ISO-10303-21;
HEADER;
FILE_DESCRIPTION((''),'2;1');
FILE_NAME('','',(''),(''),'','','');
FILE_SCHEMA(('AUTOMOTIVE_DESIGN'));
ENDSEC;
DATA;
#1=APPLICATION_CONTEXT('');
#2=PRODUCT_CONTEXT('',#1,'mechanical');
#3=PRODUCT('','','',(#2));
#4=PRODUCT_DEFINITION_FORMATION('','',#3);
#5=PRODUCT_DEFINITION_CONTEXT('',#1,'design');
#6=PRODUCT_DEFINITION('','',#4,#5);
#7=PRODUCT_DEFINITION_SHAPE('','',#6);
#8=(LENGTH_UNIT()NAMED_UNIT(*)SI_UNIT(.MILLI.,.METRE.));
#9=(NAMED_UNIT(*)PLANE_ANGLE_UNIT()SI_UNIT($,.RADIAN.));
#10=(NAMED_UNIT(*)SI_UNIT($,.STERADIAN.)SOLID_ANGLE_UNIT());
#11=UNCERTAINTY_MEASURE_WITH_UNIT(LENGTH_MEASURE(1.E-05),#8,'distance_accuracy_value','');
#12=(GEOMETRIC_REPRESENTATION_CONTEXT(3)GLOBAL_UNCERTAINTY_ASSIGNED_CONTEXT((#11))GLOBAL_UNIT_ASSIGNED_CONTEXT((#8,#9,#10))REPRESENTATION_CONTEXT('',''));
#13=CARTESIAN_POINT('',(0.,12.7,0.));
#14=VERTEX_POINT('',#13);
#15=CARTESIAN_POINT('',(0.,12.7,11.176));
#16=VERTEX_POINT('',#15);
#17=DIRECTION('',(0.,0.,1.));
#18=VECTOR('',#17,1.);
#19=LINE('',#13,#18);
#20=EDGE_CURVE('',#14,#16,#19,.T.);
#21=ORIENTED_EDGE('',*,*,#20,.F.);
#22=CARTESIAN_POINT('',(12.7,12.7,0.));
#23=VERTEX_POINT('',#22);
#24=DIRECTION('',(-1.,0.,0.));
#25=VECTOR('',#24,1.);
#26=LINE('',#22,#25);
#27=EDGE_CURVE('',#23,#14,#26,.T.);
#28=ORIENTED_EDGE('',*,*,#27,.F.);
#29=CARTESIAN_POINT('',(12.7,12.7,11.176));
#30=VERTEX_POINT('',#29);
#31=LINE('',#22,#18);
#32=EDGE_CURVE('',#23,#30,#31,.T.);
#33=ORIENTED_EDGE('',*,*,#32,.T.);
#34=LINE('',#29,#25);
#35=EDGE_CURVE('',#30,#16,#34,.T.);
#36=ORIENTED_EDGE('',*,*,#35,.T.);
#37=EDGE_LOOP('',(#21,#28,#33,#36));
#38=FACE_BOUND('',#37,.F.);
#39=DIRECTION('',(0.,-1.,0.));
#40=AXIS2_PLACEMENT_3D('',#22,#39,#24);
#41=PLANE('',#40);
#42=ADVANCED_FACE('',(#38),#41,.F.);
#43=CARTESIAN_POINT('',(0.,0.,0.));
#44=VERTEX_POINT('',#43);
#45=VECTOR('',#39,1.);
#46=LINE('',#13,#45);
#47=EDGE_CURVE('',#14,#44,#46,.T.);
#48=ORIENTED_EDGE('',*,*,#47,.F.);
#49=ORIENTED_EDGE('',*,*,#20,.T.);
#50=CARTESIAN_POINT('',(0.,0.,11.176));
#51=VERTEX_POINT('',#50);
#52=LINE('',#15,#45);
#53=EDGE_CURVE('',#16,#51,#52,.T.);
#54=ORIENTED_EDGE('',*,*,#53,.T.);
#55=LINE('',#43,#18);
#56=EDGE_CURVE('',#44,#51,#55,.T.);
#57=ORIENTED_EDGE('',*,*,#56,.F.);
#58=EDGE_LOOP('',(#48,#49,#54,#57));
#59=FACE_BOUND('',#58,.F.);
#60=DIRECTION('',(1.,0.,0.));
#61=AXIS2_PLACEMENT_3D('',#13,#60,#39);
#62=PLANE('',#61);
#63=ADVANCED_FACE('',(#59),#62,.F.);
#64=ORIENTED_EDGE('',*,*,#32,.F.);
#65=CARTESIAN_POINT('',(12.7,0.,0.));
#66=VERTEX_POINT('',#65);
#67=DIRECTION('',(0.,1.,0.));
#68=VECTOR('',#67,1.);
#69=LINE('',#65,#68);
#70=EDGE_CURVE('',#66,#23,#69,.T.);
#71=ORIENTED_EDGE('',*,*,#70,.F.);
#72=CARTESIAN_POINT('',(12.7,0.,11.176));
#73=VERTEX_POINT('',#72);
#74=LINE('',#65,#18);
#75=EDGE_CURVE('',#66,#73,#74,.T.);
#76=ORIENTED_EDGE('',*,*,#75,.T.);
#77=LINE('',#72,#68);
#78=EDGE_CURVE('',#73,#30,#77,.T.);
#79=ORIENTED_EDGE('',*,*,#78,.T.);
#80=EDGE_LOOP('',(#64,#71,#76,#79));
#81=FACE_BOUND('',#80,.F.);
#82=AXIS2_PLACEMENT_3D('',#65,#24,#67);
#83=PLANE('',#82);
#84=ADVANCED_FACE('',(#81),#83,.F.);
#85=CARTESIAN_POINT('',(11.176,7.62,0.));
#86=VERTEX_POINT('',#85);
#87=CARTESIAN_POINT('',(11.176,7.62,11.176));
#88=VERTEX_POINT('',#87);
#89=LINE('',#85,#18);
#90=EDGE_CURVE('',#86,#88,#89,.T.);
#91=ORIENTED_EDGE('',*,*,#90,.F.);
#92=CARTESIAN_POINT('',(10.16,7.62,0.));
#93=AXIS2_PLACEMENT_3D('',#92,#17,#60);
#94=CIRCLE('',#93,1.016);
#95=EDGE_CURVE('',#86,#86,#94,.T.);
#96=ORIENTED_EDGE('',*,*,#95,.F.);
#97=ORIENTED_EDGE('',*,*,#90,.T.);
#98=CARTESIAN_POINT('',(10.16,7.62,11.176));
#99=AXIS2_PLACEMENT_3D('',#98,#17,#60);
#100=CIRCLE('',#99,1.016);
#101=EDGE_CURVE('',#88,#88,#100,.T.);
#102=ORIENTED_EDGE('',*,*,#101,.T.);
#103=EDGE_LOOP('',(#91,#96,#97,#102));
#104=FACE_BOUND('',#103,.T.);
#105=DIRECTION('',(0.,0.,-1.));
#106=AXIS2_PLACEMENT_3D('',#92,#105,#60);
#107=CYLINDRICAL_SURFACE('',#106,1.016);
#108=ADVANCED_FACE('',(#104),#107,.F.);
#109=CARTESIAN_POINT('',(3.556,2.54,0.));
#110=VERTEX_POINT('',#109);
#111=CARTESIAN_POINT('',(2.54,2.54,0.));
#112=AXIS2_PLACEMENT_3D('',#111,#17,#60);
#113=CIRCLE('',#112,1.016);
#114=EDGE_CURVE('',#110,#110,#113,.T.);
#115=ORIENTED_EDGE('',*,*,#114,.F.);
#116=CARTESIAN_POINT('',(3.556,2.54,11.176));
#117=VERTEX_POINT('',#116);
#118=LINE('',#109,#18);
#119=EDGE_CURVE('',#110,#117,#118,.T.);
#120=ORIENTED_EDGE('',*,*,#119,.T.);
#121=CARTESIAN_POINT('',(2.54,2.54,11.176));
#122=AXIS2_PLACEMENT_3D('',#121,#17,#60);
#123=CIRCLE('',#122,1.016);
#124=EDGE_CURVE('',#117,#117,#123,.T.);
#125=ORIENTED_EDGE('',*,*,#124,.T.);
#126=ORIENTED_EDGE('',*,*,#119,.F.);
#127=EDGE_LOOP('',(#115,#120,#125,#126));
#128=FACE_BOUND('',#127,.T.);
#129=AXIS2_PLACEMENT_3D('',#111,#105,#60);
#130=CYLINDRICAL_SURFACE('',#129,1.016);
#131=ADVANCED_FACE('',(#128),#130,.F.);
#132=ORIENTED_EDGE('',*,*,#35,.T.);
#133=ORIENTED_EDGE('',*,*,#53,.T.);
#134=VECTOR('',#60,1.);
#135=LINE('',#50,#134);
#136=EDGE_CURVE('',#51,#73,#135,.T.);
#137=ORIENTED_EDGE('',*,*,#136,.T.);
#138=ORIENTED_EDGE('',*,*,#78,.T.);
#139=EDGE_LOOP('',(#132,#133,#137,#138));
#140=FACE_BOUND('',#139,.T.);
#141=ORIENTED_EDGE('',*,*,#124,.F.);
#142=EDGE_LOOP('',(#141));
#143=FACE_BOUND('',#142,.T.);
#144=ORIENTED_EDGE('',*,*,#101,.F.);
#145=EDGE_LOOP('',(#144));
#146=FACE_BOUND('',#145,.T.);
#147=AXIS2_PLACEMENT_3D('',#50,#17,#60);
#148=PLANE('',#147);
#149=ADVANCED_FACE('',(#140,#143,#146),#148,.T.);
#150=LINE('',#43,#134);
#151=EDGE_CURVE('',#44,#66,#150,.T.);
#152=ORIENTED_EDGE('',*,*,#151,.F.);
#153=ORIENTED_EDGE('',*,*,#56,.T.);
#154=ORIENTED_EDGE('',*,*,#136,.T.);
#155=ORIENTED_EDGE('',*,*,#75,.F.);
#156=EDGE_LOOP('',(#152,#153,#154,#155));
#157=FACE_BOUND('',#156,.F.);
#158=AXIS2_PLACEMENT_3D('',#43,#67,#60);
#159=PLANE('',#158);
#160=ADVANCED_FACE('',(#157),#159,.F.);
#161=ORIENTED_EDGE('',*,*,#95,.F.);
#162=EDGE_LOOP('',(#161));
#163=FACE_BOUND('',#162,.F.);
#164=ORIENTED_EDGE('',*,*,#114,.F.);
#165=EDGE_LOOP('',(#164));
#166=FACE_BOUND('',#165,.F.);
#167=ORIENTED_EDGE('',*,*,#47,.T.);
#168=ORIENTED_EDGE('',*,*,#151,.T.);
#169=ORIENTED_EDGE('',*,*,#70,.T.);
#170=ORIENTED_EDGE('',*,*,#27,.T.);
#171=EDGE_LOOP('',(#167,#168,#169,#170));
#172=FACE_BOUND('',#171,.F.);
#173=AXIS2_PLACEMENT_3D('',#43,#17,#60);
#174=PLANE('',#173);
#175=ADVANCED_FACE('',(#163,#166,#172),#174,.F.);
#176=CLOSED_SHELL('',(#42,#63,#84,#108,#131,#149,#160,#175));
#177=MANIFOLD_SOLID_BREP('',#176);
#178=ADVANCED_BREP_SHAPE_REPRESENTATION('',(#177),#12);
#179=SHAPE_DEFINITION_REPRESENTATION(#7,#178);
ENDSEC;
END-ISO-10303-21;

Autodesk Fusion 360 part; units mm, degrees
sketch "Sketch1" plane through (0, 0, 0) normal (0, 0, 1) x (1, 0, 0)
  line L0 (0, 0) -> (12.7, 0)
  line L1 (12.7, 0) -> (12.7, 12.7)
  line L2 (12.7, 12.7) -> (0, 12.7)
  line L3 (0, 12.7) -> (0, 0)
  circle A0 centre (2.54, 2.54) radius 1.016
  circle A1 centre (10.16, 7.62) radius 1.016
  dimension "d1" = 12.7
  dimension "d2" = 12.7
  dimension "d3" = 2.032
  dimension "d4" = 2.54
  dimension "d5" = 2.54
  dimension "d6" = 2.032
  dimension "d7" = 2.54
  dimension "d8" = 5.08
extrude "Extrude1" add sketch "Sketch1" along normal blind 11.176
